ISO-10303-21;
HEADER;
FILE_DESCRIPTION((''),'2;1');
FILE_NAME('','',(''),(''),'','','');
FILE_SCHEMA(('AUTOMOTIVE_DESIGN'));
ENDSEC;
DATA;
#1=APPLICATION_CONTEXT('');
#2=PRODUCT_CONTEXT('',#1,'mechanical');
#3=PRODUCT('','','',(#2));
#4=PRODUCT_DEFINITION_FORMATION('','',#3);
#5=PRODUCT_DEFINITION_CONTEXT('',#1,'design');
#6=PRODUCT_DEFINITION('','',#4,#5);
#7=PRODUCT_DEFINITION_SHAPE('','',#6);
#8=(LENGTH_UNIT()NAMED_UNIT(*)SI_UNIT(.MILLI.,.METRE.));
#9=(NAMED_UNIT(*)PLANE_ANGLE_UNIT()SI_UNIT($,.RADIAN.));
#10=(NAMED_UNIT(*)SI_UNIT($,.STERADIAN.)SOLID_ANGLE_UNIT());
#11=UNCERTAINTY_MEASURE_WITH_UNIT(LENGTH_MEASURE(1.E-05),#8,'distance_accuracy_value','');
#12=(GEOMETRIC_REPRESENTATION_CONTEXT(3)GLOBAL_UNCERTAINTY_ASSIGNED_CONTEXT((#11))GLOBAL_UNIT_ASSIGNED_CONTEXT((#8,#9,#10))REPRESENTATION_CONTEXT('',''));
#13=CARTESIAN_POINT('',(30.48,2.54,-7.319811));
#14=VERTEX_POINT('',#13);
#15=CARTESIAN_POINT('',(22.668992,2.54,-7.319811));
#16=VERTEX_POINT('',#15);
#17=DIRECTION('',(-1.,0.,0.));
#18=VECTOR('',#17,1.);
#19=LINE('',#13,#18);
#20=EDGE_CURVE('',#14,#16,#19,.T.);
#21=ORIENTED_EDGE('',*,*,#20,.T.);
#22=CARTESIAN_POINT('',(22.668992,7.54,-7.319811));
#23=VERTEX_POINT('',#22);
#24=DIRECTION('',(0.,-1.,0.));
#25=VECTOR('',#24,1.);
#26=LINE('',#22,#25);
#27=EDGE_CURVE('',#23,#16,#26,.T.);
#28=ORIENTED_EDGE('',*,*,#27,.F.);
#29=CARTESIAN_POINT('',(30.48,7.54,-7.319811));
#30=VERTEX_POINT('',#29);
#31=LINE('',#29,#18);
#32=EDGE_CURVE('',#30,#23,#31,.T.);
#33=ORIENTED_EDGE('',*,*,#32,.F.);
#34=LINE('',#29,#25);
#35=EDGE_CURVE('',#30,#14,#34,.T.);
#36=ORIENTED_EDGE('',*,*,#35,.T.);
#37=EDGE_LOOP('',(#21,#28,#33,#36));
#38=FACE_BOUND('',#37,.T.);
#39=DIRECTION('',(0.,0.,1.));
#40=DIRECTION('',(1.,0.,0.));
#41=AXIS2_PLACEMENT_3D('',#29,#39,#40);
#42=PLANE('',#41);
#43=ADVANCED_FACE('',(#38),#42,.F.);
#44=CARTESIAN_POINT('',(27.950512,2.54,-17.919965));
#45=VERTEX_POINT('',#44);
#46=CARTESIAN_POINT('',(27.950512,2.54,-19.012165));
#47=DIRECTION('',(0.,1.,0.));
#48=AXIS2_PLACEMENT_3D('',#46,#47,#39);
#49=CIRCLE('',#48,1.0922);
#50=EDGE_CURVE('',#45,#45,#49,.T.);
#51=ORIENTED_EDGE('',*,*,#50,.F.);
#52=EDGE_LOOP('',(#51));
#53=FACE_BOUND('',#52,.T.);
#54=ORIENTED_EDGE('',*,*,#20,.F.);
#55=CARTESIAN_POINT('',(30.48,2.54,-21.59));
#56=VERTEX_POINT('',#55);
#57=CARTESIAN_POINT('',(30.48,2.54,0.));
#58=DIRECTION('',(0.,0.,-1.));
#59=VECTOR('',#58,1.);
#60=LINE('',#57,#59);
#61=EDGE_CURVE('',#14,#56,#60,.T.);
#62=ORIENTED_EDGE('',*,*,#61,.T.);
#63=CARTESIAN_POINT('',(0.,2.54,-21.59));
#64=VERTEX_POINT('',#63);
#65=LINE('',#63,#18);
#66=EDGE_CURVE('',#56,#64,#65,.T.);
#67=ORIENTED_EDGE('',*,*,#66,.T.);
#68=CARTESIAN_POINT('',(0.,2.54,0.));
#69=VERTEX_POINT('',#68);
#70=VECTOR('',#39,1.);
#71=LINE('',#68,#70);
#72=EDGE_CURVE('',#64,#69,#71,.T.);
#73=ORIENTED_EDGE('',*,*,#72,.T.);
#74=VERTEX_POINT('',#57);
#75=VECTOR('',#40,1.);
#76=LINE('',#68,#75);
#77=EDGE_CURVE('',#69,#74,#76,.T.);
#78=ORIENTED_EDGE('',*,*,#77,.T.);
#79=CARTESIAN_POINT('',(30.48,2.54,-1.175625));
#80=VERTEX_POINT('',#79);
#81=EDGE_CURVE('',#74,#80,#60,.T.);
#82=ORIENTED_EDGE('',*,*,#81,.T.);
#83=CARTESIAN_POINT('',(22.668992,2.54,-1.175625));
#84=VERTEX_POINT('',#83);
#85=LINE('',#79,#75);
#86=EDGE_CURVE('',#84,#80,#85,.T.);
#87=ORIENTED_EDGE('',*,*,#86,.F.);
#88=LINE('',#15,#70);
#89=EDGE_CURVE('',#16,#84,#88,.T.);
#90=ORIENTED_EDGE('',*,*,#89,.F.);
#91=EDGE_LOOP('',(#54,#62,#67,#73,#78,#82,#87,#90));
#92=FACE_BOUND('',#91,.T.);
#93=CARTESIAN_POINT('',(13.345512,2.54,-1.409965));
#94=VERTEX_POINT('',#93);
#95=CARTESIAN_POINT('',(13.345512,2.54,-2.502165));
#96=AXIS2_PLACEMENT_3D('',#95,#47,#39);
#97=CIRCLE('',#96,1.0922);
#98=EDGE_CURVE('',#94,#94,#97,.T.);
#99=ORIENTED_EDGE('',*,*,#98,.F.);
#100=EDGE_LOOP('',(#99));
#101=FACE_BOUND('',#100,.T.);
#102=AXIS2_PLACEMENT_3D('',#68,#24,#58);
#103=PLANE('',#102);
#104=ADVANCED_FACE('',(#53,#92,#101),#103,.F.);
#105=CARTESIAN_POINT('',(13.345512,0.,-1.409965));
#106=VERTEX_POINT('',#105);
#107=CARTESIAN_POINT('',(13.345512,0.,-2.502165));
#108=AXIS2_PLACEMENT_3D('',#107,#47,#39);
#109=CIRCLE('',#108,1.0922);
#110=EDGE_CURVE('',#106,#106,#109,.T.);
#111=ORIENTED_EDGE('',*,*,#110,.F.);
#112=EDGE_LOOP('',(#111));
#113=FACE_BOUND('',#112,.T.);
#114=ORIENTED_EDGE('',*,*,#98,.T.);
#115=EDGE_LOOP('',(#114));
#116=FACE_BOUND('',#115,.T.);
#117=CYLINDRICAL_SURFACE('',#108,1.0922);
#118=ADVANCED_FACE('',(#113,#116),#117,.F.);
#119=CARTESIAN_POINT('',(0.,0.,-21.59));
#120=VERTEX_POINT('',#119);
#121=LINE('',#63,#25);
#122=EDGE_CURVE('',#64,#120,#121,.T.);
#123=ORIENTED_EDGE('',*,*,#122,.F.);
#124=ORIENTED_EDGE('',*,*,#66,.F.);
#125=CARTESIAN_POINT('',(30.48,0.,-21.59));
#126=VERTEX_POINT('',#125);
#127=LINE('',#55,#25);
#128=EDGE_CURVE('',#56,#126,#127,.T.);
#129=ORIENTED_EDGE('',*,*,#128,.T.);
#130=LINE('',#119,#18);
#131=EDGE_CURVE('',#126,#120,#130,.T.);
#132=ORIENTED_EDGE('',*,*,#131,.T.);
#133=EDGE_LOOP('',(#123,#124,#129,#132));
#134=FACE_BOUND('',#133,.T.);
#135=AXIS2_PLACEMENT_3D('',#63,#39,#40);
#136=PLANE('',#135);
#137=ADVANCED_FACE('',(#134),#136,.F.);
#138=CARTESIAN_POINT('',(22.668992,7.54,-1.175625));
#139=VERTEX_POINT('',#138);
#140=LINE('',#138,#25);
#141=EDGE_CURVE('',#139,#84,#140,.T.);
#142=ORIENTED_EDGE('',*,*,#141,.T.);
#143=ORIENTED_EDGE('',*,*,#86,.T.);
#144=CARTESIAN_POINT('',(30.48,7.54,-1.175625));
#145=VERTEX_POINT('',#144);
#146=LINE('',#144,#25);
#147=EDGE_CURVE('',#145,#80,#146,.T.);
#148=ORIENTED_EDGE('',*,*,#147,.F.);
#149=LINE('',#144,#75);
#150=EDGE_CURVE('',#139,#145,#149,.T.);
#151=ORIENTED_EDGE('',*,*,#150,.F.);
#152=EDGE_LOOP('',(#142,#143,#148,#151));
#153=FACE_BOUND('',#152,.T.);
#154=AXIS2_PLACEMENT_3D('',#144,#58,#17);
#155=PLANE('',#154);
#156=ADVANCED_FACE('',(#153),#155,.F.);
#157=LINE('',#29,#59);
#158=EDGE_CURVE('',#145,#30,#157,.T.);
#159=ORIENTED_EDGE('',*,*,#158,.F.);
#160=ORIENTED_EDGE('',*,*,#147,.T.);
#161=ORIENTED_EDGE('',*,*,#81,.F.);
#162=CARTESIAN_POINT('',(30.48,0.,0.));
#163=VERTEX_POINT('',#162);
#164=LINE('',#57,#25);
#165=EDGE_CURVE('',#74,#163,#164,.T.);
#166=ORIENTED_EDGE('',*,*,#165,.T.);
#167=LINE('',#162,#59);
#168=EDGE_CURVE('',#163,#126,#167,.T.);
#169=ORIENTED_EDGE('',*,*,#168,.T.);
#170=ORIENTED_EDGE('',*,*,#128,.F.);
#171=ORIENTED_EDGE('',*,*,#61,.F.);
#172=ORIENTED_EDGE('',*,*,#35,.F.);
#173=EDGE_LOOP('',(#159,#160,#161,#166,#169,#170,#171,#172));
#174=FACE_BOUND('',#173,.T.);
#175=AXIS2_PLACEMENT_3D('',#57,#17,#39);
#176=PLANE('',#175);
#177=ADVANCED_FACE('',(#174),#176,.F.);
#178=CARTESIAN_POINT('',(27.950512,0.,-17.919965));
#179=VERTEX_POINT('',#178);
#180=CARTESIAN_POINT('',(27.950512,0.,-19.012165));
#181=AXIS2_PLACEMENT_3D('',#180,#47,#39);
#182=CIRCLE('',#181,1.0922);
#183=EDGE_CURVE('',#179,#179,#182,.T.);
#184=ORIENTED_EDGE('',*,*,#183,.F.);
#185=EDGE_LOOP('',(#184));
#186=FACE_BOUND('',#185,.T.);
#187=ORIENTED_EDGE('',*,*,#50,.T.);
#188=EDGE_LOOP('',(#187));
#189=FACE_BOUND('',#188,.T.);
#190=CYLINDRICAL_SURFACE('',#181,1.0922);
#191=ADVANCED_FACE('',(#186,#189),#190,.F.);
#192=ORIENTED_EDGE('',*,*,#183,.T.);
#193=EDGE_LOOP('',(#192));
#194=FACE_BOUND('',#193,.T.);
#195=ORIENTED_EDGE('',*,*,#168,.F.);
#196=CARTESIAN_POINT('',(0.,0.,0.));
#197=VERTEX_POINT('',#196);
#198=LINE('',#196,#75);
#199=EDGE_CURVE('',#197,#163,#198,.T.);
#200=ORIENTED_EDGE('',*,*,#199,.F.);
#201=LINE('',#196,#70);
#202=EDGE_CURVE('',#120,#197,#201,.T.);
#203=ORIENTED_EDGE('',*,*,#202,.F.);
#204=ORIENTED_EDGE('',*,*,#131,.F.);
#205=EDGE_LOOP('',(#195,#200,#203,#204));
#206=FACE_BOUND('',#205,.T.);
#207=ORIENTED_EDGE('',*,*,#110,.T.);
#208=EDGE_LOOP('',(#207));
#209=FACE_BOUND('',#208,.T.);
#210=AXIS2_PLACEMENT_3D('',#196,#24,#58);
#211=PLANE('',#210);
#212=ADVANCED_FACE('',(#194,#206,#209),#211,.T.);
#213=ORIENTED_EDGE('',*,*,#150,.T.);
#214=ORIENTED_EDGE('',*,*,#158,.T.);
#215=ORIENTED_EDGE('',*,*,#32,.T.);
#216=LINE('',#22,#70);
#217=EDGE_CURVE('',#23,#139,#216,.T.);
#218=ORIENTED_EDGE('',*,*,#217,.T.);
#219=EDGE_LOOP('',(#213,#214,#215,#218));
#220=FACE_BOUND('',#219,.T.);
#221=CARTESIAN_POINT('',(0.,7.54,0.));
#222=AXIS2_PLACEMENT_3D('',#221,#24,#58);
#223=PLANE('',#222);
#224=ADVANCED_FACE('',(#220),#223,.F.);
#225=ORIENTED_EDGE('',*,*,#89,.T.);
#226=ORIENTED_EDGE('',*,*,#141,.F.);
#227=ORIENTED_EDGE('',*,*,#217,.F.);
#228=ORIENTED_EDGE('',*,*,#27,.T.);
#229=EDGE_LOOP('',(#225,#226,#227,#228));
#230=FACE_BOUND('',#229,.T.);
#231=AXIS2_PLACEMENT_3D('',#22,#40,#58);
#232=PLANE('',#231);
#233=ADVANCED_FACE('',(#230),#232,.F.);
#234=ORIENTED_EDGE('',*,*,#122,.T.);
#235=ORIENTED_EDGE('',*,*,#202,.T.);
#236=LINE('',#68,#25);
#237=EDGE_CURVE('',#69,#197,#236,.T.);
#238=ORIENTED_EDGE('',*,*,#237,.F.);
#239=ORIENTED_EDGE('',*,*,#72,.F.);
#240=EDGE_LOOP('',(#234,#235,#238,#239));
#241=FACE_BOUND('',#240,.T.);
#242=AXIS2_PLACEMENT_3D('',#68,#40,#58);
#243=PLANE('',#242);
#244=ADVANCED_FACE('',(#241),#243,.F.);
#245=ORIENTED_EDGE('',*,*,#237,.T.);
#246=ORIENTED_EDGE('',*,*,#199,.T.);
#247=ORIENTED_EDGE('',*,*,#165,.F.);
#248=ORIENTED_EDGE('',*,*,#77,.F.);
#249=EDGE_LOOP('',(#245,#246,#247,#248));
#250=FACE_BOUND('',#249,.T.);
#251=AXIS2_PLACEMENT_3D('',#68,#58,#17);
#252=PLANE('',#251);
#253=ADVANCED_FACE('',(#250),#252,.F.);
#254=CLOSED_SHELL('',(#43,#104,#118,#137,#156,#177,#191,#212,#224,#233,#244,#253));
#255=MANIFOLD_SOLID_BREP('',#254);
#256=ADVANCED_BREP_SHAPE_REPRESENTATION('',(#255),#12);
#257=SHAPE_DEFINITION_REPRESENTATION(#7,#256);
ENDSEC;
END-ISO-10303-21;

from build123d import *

# Parameters (mm, degrees)
SKETCH1_W           = 30.48
SKETCH1_H           = 21.59
BOSS_EXTRUDE1_DEPTH = 2.54
SKETCH2_R           = 1.0922
CUT_EXTRUDE1_DEPTH  = 38.438083551
SKETCH4_W           = 7.811008033
SKETCH4_H           = 6.144185349
BOSS_EXTRUDE2_DEPTH = 5


with BuildPart() as part:
    # Sketch1 → Boss-Extrude1 (new body)
    with BuildSketch(Plane(origin=(0, 0, 0), x_dir=(1, 0, 0), z_dir=(0, 1, 0))):
        with Locations((15.24, 10.795)):
            Rectangle(SKETCH1_W, SKETCH1_H)
    extrude(amount=BOSS_EXTRUDE1_DEPTH)

    # Sketch2 → Cut-Extrude1 (cut, through all)
    with BuildSketch(Plane(origin=(0, 2.54, 0), x_dir=(1, 0, 0), z_dir=(0, 1, 0))):
        with Locations(Location((27.950511617, 19.012165286, 0), (0, 0, 270))):
            Circle(SKETCH2_R)
        with Locations(Location((13.345511617, 2.502165286, 0), (0, 0, 270))):
            Circle(SKETCH2_R)
    extrude(amount=-CUT_EXTRUDE1_DEPTH, mode=Mode.SUBTRACT)

    # Sketch4 → Boss-Extrude2 (add)
    with BuildSketch(Plane(origin=(0, 2.54, 0), x_dir=(1, 0, 0), z_dir=(0, 1, 0))):
        with Locations((26.574495984, 4.247718085)):
            Rectangle(SKETCH4_W, SKETCH4_H)
    extrude(amount=BOSS_EXTRUDE2_DEPTH)


solid = part.part
